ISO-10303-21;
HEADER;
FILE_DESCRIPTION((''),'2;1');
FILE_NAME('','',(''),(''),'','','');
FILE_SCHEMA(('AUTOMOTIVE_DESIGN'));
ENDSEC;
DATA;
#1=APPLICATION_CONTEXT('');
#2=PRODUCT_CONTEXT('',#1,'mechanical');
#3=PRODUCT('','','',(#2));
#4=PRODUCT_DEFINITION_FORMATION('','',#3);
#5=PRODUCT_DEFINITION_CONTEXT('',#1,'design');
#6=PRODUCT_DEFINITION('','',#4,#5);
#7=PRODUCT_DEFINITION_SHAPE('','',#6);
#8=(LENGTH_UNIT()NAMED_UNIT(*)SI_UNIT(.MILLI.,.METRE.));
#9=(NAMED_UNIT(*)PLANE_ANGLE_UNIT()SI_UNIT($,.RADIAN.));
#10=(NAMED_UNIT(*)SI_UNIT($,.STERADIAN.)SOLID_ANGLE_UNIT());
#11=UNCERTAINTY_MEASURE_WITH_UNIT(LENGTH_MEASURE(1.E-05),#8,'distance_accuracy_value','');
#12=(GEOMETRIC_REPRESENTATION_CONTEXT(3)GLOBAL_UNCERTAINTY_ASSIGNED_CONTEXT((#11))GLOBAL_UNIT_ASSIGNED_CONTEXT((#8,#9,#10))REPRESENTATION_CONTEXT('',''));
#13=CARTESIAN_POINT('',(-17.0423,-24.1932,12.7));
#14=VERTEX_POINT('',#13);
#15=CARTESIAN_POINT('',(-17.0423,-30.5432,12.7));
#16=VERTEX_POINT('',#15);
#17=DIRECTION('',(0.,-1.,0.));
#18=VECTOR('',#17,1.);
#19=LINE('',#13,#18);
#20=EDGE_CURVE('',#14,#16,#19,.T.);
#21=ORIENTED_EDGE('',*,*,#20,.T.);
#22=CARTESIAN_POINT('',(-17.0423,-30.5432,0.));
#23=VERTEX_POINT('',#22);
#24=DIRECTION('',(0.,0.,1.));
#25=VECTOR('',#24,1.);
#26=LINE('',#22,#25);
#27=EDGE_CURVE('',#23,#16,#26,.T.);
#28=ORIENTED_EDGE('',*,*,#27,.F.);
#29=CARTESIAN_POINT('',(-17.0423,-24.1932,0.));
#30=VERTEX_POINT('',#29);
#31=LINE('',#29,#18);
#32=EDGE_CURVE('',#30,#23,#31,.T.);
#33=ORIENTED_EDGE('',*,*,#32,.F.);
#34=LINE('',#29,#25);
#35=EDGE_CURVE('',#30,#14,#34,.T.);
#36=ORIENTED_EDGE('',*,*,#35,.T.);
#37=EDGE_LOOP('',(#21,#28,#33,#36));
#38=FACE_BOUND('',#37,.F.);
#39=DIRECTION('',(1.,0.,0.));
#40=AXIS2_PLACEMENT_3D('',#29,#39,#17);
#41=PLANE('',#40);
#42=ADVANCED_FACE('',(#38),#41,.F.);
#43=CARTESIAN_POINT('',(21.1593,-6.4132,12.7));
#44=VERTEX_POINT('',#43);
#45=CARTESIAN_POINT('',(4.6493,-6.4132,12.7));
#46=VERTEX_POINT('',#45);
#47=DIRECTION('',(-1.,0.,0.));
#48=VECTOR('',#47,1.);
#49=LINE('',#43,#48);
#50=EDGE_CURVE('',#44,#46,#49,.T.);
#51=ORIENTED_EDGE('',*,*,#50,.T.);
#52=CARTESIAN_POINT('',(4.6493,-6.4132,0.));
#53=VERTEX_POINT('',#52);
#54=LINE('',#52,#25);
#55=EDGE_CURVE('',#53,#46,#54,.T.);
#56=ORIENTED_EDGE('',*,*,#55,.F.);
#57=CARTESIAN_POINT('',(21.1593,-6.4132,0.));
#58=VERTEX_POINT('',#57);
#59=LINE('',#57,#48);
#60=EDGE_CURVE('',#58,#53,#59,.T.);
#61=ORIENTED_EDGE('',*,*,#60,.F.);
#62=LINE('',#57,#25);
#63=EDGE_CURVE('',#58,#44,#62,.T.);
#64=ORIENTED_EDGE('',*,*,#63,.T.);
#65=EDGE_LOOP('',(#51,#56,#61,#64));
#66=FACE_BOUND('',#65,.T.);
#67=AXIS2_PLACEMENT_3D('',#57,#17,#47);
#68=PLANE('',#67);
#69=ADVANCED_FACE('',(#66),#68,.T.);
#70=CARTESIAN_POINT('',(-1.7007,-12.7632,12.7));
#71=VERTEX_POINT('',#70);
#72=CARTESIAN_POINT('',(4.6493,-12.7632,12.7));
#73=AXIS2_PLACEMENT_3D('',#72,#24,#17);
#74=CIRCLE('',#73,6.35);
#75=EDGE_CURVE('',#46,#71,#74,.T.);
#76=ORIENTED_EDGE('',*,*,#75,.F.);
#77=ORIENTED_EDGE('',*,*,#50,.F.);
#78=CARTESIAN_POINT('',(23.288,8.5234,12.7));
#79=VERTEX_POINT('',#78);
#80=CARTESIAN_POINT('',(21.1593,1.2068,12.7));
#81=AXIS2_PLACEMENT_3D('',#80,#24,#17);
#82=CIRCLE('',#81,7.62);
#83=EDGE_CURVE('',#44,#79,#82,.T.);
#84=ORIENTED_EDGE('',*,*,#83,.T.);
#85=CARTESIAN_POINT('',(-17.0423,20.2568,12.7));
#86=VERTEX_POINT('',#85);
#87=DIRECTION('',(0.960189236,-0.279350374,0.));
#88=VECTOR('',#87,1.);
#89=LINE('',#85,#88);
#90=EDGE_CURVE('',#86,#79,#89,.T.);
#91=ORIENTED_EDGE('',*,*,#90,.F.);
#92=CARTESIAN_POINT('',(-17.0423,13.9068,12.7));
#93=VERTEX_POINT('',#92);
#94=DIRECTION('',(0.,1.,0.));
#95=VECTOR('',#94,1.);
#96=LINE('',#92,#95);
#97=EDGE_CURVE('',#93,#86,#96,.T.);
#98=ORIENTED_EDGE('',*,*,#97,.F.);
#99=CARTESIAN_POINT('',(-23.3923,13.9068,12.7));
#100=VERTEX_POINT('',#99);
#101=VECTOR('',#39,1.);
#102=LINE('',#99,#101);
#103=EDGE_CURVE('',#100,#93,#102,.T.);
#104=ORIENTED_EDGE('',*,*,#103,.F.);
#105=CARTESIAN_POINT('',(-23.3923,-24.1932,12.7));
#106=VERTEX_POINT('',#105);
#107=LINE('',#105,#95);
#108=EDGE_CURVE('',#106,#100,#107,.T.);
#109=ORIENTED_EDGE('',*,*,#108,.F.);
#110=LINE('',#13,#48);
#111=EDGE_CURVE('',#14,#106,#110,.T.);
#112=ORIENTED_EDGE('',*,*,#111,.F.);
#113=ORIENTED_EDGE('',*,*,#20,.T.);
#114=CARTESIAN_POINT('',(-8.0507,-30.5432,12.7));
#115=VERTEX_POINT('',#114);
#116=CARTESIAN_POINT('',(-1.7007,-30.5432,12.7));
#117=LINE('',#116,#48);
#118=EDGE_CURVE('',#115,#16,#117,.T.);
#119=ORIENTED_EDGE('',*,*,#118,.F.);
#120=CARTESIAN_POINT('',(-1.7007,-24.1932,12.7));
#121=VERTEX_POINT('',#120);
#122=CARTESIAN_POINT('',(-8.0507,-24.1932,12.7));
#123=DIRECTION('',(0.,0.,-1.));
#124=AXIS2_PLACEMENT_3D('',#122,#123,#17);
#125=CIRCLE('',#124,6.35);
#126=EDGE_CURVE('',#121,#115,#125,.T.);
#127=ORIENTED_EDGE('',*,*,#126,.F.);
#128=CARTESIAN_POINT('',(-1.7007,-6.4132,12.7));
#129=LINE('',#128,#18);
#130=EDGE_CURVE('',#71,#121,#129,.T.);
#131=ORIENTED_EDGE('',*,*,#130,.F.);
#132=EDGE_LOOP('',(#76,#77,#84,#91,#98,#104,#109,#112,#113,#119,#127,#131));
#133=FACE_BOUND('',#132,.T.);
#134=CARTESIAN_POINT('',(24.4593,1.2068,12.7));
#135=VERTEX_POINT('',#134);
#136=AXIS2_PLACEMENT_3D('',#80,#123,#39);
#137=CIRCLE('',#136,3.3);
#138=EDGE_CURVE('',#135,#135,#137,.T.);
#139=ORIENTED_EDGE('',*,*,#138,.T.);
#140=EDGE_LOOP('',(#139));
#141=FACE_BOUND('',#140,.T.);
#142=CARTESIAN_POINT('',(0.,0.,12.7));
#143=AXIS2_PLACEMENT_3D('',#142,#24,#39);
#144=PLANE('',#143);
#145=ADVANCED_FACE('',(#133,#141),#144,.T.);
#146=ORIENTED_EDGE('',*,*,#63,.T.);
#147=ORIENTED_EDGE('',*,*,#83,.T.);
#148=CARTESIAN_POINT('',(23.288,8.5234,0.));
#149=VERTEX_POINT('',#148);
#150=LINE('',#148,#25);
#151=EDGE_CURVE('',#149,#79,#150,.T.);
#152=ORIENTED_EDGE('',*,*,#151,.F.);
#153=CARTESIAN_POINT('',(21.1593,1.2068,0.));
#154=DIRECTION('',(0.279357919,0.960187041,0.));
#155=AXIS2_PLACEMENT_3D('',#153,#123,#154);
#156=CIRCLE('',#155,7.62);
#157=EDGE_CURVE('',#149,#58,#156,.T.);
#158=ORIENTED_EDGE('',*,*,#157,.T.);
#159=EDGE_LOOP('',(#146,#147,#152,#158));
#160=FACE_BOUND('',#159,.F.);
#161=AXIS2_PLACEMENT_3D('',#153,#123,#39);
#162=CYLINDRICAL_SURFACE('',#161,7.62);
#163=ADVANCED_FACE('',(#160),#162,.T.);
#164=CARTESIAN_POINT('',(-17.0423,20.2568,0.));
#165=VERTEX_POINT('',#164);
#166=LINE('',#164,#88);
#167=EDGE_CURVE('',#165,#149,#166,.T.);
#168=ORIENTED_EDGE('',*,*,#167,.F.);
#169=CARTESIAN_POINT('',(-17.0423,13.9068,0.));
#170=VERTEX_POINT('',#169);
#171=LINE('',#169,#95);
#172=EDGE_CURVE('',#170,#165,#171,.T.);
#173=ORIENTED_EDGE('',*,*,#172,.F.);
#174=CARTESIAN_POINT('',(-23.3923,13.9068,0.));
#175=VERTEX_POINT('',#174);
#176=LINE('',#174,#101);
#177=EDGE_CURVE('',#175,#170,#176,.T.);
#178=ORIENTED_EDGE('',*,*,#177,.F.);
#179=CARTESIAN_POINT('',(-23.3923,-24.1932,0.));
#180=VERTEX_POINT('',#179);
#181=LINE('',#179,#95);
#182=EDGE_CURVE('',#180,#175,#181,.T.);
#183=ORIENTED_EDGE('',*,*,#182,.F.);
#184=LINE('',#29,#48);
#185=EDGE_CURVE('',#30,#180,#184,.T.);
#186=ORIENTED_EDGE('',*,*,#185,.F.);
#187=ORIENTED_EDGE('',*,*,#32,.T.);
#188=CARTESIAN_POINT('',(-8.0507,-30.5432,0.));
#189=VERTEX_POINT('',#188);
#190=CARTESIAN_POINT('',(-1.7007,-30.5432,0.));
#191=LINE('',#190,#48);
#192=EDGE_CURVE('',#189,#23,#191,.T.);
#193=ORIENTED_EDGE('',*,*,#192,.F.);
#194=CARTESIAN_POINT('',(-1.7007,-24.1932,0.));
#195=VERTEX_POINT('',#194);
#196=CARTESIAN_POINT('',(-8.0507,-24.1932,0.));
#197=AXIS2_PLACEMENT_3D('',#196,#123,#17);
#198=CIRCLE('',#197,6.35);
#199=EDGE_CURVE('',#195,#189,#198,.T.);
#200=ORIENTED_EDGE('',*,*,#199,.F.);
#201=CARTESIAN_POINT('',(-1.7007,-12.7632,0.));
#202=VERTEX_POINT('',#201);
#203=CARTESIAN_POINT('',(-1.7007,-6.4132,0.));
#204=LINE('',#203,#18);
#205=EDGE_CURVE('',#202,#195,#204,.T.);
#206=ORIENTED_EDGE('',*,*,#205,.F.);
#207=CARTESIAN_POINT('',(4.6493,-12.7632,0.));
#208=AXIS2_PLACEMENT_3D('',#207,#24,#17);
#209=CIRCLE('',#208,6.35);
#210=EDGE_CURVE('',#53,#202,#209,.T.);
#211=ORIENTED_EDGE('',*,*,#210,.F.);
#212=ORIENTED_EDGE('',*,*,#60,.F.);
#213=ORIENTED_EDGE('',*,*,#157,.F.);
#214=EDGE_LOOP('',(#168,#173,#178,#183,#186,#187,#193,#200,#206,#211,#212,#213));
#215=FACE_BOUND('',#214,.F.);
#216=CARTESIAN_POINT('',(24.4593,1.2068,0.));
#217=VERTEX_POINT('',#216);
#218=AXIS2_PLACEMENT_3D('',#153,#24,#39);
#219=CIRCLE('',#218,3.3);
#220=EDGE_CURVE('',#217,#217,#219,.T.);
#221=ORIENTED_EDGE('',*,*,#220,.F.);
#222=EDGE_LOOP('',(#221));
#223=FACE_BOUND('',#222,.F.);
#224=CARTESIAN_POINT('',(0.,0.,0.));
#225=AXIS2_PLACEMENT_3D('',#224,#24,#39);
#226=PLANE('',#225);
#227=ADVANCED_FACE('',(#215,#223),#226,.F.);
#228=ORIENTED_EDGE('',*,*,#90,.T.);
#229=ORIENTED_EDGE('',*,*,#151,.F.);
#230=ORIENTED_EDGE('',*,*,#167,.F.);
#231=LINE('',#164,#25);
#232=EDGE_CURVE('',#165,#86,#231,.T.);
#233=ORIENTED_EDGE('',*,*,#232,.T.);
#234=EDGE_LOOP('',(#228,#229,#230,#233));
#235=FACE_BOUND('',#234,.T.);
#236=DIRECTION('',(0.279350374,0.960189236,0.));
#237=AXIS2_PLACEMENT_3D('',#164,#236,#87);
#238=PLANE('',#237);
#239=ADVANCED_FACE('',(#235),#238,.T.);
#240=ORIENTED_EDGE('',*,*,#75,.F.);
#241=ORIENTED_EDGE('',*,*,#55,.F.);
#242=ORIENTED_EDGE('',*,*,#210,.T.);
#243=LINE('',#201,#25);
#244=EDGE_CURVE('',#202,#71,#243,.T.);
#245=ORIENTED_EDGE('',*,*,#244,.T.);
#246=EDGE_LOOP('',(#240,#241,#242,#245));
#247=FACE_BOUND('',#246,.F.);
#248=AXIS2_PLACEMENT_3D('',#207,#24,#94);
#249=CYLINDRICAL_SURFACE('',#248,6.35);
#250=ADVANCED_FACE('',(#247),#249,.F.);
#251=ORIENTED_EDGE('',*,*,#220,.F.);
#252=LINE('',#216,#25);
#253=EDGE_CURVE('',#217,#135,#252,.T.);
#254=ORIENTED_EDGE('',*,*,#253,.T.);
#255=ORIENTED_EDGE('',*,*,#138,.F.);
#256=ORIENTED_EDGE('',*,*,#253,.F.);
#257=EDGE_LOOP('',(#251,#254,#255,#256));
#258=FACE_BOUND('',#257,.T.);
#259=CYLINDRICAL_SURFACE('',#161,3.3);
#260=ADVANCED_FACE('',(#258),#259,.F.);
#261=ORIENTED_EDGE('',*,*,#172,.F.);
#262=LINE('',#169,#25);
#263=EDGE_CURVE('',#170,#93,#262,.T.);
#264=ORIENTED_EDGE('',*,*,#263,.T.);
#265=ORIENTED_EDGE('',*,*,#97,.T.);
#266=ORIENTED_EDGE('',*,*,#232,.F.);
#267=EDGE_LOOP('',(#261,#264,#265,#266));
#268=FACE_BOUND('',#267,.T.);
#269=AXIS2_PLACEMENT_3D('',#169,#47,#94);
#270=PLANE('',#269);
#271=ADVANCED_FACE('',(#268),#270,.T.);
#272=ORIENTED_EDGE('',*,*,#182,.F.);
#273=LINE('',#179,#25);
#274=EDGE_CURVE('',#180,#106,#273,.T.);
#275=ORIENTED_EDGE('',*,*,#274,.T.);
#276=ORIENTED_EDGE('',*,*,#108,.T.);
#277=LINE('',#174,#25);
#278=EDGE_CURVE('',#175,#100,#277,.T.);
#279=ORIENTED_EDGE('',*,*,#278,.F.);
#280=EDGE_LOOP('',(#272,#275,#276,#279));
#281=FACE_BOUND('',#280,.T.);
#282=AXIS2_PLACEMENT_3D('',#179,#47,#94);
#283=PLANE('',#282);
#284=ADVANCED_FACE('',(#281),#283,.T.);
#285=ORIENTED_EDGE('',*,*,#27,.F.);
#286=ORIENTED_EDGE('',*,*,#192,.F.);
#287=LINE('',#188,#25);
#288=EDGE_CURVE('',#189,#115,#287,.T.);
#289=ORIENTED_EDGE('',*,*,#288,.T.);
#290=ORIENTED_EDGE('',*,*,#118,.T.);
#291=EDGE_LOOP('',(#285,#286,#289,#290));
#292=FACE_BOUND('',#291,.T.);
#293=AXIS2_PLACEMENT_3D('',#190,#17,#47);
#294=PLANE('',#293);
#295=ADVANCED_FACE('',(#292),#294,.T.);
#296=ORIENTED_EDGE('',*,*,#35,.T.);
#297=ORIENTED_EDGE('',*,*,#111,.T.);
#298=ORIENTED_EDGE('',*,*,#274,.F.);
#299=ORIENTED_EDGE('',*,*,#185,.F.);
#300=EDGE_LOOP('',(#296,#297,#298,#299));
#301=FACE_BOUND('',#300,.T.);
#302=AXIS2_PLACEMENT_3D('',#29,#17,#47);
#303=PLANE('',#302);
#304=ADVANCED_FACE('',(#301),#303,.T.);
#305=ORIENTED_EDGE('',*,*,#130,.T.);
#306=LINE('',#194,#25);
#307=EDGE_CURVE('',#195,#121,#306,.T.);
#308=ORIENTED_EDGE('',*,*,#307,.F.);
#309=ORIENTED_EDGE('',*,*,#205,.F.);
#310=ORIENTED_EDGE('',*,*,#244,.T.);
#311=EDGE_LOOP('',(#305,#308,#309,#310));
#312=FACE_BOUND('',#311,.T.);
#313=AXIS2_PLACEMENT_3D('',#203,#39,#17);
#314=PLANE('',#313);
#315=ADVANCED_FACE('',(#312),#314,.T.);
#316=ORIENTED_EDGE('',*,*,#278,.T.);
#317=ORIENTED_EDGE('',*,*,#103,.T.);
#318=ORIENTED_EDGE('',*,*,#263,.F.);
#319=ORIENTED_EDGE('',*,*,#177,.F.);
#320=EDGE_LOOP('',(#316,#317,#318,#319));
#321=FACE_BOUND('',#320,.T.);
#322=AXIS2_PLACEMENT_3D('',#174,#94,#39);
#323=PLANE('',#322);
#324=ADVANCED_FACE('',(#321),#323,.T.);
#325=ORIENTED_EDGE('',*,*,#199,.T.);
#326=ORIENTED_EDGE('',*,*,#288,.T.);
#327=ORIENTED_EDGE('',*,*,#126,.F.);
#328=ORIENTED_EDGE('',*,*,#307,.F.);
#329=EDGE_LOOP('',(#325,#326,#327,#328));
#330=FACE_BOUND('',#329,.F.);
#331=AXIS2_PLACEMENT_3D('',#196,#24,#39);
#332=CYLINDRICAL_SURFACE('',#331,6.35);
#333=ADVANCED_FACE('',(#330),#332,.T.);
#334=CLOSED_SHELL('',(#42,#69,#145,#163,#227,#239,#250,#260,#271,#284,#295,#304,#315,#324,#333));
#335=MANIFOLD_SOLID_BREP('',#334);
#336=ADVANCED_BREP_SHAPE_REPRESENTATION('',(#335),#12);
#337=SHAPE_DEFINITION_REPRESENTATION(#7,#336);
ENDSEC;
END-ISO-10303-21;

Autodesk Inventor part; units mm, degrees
ref_plane "YZ Plane" through (0, 0, 0) normal (1, 0, 0) x (0, 1, 0)
ref_plane "XZ Plane" through (0, 0, 0) normal (0, 1, 0) x (-1, 0, 0)
ref_plane "XY Plane" through (0, 0, 0) normal (0, 0, 1) x (1, 0, 0)
sketch "Sketch1" plane through (0, 0, 0) normal (0, 0, 1) x (1, 0, 0)
  line L0 (-23.3923, 13.9068) -> (-17.0423, 13.9068)
  line L1 (-17.0423, 13.9068) -> (-17.0423, -24.1932)
  line L2 (-17.0423, -24.1932) -> (-23.3923, -24.1932)
  line L3 (-23.3923, -24.1932) -> (-23.3923, 13.9068)
  line L4 (-17.0423, 13.9068) -> (-17.0423, 20.2568)
  line L5 (-17.0423, -24.1932) -> (-17.0423, -30.5432)
  line L6 (-17.0423, 13.9068) -> (-17.0423, 1.2068)
  line L7 (-17.0423, 1.2068) -> (21.1593, 1.2068)
  circle A0 centre (21.1593, 1.2068) radius 3.3
  line L8 (21.1593, 1.2068) -> (21.1593, -6.4132)
  line L9 (21.1593, -6.4132) -> (-1.7007, -6.4132)
  line L10 (-1.7007, -6.4132) -> (-1.7007, -30.5432)
  line L11 (-1.7007, -30.5432) -> (-17.0423, -30.5432)
  circle A1 centre (21.1593, 1.2068) radius 7.62
  line L12 (-17.0423, 20.2568) -> (23.288, 8.5234)
  point P0 (0, 0)
  dimension "d0" = 6.35
  dimension "d1" = 38.1
  dimension "d2" = 6.35
  dimension "d3" = 6.35
  dimension "d4" = 12.7
  dimension "d5" = 38.2016
  dimension "d6" = 6.6
  dimension "d7" = 7.62
  dimension "d8" = 22.86
extrude "Extrusion1" add sketch "Sketch1" along normal blind 12.7 contours L0 L1 L2 L3 | L4 L12 A1 L7 L1 | L7 A1 L9 L10 L11 L5 L1 | A1 L8 A0 L7 | L7 A0 L8 A1
fillet "Fillet1" radius 6.35 2 edges at (-1.7007, -30.5432, 6.35) (-1.7007, -6.4132, 6.35)
properties part number "linacconnectspecial top"
